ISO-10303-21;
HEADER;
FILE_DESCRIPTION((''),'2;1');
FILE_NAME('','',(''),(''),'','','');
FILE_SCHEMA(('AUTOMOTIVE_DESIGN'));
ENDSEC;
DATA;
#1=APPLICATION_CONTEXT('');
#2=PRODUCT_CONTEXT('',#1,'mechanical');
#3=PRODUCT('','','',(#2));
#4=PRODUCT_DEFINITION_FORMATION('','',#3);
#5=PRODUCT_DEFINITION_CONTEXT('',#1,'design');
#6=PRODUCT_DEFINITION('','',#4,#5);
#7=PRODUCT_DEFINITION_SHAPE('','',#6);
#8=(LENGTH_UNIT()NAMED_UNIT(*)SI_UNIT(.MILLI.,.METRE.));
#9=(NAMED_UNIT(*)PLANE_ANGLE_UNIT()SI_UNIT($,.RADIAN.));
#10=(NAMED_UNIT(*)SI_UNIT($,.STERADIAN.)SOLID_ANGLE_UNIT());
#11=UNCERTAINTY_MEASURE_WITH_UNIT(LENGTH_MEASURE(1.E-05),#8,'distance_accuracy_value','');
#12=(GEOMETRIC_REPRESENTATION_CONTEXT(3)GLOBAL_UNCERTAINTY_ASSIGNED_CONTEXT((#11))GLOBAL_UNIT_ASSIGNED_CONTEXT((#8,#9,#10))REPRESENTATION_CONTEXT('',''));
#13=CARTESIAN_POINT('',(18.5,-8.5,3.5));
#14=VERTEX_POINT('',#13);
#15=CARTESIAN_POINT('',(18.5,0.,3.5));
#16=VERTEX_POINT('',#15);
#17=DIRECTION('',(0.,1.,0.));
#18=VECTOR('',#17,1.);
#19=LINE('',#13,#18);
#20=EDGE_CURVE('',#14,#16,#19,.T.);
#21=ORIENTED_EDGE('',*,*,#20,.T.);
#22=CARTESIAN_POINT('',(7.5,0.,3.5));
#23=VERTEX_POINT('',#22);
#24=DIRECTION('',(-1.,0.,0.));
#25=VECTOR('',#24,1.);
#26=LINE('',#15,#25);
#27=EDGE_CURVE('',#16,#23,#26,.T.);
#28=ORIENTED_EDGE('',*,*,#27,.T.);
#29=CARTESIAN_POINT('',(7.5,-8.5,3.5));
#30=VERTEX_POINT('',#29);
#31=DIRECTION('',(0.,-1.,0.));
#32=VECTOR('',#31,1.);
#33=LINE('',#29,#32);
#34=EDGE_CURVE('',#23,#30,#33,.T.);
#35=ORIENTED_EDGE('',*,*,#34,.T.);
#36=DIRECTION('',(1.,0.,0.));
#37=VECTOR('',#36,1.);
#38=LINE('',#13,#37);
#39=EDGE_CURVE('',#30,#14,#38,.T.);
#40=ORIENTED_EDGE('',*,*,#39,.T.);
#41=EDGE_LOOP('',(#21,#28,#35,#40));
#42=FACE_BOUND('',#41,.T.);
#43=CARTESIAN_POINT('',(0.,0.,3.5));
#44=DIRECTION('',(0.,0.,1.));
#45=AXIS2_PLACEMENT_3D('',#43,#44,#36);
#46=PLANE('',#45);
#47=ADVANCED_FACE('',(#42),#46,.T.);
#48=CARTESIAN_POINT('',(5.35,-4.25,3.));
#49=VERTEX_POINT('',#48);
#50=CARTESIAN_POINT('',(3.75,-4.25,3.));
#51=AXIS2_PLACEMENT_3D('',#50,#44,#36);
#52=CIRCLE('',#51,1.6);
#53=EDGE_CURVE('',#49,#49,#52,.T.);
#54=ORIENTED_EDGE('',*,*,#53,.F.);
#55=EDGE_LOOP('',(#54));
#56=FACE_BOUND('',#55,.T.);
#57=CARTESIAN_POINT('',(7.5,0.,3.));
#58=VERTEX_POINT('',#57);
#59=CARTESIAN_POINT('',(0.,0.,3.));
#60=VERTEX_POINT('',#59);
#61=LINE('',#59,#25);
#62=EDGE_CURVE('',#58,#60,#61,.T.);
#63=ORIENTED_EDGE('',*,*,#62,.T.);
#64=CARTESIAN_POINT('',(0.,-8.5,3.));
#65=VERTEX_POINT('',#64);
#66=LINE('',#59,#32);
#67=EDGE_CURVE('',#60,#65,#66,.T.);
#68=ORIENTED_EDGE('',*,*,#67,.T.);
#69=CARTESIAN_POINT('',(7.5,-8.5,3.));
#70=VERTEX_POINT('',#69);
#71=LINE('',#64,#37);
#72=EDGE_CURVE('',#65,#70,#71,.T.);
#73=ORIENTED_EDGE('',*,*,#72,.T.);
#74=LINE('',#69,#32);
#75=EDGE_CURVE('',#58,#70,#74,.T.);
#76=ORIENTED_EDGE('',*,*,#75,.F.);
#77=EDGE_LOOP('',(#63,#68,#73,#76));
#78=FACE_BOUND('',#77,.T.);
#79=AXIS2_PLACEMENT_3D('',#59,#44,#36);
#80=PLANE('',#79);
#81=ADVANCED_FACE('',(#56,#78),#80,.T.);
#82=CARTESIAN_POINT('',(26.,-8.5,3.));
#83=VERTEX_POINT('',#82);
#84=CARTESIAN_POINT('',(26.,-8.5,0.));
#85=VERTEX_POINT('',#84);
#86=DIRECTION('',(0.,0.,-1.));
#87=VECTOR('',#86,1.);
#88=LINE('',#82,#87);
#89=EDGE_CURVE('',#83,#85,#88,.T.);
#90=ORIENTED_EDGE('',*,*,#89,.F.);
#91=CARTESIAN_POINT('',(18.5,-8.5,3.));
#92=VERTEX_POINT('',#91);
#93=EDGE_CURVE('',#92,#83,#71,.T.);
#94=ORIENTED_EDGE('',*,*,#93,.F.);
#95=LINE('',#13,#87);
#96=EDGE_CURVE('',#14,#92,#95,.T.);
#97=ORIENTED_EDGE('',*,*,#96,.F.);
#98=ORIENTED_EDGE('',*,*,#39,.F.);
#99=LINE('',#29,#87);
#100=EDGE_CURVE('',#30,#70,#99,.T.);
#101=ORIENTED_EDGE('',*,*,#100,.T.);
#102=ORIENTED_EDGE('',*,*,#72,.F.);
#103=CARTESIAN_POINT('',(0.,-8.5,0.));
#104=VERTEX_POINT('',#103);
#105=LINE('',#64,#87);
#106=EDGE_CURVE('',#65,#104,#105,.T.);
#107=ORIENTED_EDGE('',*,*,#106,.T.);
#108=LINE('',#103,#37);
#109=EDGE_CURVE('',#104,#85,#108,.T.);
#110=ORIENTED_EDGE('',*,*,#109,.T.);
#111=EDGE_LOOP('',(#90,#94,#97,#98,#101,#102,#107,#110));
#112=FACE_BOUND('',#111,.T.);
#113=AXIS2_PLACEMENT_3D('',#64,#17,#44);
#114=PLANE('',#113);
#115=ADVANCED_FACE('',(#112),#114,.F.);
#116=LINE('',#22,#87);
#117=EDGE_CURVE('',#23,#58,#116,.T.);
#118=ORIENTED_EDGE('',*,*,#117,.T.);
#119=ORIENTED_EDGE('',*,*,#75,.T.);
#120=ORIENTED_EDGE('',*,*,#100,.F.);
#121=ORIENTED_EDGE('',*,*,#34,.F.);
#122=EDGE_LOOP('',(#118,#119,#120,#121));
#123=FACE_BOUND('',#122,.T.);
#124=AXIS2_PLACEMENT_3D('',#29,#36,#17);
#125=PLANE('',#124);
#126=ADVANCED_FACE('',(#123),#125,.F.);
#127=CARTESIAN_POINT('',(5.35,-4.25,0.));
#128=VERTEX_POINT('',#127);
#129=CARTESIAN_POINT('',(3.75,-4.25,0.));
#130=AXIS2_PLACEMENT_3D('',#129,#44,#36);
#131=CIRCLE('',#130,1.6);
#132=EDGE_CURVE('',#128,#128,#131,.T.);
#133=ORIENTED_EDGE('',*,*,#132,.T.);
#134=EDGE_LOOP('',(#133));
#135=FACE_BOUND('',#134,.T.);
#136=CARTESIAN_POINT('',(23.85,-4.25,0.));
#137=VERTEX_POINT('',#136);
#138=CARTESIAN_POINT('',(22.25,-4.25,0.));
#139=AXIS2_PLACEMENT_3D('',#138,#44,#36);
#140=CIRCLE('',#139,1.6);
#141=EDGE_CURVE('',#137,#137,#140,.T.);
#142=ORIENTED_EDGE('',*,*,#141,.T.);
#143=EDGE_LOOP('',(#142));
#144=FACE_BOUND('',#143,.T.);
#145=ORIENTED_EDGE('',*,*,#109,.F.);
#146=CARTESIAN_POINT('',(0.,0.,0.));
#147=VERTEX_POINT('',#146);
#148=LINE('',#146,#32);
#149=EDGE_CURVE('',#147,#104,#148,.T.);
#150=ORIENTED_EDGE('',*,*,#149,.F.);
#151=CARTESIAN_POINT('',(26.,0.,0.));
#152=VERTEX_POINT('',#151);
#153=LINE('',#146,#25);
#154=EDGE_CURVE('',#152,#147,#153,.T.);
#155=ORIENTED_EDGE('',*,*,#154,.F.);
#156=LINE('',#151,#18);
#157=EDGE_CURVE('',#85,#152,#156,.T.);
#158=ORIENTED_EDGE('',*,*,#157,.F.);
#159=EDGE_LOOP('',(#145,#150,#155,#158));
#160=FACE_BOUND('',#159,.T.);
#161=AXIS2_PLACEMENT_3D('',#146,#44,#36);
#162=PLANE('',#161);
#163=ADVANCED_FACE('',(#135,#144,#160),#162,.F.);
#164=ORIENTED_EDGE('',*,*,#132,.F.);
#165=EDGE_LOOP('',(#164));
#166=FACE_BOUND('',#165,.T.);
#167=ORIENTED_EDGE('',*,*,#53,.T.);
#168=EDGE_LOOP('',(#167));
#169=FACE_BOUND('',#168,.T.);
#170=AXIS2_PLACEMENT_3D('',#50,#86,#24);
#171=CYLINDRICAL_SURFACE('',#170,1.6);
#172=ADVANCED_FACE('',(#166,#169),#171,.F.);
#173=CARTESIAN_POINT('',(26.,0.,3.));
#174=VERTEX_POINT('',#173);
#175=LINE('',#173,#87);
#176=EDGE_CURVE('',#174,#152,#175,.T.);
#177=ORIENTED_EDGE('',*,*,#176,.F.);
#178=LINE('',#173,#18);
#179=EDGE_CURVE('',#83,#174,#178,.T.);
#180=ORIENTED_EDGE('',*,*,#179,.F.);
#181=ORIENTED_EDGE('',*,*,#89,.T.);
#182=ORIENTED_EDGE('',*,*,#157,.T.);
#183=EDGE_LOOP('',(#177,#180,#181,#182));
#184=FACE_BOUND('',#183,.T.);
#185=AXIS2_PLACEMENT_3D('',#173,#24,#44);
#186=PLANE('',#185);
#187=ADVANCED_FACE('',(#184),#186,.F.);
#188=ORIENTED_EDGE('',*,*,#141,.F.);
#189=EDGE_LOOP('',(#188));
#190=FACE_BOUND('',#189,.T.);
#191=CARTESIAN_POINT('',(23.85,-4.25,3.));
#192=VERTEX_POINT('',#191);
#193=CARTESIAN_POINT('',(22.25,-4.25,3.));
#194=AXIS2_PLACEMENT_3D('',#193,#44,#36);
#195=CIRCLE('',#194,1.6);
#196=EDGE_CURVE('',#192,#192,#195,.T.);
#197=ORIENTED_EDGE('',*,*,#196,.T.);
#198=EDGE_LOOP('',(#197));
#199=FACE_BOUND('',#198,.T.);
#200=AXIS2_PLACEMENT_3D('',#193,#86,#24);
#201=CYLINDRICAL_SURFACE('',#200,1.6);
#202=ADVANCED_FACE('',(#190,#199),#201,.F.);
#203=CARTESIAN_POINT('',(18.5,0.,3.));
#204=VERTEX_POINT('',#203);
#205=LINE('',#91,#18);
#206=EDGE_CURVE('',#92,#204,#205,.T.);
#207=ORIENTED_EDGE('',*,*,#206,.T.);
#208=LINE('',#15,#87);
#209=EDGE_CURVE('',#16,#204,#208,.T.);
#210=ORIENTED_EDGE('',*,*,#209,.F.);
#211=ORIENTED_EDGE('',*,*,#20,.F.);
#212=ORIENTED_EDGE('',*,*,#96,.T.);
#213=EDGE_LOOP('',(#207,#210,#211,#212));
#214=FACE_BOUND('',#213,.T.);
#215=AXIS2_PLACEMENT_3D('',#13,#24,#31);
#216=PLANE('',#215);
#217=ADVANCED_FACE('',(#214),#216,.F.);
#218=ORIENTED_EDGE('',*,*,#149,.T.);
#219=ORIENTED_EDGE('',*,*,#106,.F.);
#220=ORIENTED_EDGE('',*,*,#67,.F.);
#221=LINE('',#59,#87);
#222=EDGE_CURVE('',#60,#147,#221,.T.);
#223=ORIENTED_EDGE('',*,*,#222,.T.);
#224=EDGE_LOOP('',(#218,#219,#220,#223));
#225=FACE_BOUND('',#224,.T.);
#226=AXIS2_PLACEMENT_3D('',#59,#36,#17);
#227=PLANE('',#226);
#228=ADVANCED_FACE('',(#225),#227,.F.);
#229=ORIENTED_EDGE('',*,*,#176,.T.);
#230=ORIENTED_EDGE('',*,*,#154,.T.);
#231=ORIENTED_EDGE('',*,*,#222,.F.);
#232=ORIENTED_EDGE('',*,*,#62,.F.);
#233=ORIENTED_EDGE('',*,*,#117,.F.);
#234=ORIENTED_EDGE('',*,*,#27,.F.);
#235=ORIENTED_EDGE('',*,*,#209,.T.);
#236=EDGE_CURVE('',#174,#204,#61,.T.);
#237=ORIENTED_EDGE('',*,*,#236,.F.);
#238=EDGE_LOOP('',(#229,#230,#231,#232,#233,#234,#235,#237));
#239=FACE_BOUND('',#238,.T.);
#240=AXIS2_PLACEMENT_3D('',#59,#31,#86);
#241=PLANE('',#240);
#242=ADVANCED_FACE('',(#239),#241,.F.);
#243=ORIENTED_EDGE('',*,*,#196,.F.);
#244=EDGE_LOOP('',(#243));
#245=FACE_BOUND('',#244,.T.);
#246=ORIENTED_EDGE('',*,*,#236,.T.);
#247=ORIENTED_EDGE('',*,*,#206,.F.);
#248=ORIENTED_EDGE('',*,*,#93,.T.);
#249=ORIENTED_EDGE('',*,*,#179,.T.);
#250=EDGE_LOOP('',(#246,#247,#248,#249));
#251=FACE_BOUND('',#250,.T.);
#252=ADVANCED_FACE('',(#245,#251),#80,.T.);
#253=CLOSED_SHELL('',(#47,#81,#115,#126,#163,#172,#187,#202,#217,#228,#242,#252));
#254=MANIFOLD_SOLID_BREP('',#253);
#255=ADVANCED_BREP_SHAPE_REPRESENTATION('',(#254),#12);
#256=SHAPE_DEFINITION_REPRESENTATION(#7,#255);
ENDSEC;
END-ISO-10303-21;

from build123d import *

# Parameters (mm, degrees)
ESQUISSE1_W        = 26
ESQUISSE1_H        = 8.5
ESQUISSE1_R        = 1.6
BOSS_EXTRU_1_DEPTH = 3
ESQUISSE2_W        = 11
ESQUISSE2_H        = 8.5
BOSS_EXTRU_2_DEPTH = 0.5


with BuildPart() as part:
    # Esquisse1 → Boss.-Extru.1 (new body)
    with BuildSketch(Plane.XY):
        with Locations((13, -4.25)):
            Rectangle(ESQUISSE1_W, ESQUISSE1_H)
        with Locations((3.75, -4.25)):
            Circle(ESQUISSE1_R, mode=Mode.SUBTRACT)
        with Locations((22.25, -4.25)):
            Circle(ESQUISSE1_R, mode=Mode.SUBTRACT)
    extrude(amount=BOSS_EXTRU_1_DEPTH)

    # Esquisse2 → Boss.-Extru.2 (add)
    with BuildSketch(Plane.XY.offset(3)):
        with Locations((13, -4.25)):
            Rectangle(ESQUISSE2_W, ESQUISSE2_H)
    extrude(amount=BOSS_EXTRU_2_DEPTH)


solid = part.part
